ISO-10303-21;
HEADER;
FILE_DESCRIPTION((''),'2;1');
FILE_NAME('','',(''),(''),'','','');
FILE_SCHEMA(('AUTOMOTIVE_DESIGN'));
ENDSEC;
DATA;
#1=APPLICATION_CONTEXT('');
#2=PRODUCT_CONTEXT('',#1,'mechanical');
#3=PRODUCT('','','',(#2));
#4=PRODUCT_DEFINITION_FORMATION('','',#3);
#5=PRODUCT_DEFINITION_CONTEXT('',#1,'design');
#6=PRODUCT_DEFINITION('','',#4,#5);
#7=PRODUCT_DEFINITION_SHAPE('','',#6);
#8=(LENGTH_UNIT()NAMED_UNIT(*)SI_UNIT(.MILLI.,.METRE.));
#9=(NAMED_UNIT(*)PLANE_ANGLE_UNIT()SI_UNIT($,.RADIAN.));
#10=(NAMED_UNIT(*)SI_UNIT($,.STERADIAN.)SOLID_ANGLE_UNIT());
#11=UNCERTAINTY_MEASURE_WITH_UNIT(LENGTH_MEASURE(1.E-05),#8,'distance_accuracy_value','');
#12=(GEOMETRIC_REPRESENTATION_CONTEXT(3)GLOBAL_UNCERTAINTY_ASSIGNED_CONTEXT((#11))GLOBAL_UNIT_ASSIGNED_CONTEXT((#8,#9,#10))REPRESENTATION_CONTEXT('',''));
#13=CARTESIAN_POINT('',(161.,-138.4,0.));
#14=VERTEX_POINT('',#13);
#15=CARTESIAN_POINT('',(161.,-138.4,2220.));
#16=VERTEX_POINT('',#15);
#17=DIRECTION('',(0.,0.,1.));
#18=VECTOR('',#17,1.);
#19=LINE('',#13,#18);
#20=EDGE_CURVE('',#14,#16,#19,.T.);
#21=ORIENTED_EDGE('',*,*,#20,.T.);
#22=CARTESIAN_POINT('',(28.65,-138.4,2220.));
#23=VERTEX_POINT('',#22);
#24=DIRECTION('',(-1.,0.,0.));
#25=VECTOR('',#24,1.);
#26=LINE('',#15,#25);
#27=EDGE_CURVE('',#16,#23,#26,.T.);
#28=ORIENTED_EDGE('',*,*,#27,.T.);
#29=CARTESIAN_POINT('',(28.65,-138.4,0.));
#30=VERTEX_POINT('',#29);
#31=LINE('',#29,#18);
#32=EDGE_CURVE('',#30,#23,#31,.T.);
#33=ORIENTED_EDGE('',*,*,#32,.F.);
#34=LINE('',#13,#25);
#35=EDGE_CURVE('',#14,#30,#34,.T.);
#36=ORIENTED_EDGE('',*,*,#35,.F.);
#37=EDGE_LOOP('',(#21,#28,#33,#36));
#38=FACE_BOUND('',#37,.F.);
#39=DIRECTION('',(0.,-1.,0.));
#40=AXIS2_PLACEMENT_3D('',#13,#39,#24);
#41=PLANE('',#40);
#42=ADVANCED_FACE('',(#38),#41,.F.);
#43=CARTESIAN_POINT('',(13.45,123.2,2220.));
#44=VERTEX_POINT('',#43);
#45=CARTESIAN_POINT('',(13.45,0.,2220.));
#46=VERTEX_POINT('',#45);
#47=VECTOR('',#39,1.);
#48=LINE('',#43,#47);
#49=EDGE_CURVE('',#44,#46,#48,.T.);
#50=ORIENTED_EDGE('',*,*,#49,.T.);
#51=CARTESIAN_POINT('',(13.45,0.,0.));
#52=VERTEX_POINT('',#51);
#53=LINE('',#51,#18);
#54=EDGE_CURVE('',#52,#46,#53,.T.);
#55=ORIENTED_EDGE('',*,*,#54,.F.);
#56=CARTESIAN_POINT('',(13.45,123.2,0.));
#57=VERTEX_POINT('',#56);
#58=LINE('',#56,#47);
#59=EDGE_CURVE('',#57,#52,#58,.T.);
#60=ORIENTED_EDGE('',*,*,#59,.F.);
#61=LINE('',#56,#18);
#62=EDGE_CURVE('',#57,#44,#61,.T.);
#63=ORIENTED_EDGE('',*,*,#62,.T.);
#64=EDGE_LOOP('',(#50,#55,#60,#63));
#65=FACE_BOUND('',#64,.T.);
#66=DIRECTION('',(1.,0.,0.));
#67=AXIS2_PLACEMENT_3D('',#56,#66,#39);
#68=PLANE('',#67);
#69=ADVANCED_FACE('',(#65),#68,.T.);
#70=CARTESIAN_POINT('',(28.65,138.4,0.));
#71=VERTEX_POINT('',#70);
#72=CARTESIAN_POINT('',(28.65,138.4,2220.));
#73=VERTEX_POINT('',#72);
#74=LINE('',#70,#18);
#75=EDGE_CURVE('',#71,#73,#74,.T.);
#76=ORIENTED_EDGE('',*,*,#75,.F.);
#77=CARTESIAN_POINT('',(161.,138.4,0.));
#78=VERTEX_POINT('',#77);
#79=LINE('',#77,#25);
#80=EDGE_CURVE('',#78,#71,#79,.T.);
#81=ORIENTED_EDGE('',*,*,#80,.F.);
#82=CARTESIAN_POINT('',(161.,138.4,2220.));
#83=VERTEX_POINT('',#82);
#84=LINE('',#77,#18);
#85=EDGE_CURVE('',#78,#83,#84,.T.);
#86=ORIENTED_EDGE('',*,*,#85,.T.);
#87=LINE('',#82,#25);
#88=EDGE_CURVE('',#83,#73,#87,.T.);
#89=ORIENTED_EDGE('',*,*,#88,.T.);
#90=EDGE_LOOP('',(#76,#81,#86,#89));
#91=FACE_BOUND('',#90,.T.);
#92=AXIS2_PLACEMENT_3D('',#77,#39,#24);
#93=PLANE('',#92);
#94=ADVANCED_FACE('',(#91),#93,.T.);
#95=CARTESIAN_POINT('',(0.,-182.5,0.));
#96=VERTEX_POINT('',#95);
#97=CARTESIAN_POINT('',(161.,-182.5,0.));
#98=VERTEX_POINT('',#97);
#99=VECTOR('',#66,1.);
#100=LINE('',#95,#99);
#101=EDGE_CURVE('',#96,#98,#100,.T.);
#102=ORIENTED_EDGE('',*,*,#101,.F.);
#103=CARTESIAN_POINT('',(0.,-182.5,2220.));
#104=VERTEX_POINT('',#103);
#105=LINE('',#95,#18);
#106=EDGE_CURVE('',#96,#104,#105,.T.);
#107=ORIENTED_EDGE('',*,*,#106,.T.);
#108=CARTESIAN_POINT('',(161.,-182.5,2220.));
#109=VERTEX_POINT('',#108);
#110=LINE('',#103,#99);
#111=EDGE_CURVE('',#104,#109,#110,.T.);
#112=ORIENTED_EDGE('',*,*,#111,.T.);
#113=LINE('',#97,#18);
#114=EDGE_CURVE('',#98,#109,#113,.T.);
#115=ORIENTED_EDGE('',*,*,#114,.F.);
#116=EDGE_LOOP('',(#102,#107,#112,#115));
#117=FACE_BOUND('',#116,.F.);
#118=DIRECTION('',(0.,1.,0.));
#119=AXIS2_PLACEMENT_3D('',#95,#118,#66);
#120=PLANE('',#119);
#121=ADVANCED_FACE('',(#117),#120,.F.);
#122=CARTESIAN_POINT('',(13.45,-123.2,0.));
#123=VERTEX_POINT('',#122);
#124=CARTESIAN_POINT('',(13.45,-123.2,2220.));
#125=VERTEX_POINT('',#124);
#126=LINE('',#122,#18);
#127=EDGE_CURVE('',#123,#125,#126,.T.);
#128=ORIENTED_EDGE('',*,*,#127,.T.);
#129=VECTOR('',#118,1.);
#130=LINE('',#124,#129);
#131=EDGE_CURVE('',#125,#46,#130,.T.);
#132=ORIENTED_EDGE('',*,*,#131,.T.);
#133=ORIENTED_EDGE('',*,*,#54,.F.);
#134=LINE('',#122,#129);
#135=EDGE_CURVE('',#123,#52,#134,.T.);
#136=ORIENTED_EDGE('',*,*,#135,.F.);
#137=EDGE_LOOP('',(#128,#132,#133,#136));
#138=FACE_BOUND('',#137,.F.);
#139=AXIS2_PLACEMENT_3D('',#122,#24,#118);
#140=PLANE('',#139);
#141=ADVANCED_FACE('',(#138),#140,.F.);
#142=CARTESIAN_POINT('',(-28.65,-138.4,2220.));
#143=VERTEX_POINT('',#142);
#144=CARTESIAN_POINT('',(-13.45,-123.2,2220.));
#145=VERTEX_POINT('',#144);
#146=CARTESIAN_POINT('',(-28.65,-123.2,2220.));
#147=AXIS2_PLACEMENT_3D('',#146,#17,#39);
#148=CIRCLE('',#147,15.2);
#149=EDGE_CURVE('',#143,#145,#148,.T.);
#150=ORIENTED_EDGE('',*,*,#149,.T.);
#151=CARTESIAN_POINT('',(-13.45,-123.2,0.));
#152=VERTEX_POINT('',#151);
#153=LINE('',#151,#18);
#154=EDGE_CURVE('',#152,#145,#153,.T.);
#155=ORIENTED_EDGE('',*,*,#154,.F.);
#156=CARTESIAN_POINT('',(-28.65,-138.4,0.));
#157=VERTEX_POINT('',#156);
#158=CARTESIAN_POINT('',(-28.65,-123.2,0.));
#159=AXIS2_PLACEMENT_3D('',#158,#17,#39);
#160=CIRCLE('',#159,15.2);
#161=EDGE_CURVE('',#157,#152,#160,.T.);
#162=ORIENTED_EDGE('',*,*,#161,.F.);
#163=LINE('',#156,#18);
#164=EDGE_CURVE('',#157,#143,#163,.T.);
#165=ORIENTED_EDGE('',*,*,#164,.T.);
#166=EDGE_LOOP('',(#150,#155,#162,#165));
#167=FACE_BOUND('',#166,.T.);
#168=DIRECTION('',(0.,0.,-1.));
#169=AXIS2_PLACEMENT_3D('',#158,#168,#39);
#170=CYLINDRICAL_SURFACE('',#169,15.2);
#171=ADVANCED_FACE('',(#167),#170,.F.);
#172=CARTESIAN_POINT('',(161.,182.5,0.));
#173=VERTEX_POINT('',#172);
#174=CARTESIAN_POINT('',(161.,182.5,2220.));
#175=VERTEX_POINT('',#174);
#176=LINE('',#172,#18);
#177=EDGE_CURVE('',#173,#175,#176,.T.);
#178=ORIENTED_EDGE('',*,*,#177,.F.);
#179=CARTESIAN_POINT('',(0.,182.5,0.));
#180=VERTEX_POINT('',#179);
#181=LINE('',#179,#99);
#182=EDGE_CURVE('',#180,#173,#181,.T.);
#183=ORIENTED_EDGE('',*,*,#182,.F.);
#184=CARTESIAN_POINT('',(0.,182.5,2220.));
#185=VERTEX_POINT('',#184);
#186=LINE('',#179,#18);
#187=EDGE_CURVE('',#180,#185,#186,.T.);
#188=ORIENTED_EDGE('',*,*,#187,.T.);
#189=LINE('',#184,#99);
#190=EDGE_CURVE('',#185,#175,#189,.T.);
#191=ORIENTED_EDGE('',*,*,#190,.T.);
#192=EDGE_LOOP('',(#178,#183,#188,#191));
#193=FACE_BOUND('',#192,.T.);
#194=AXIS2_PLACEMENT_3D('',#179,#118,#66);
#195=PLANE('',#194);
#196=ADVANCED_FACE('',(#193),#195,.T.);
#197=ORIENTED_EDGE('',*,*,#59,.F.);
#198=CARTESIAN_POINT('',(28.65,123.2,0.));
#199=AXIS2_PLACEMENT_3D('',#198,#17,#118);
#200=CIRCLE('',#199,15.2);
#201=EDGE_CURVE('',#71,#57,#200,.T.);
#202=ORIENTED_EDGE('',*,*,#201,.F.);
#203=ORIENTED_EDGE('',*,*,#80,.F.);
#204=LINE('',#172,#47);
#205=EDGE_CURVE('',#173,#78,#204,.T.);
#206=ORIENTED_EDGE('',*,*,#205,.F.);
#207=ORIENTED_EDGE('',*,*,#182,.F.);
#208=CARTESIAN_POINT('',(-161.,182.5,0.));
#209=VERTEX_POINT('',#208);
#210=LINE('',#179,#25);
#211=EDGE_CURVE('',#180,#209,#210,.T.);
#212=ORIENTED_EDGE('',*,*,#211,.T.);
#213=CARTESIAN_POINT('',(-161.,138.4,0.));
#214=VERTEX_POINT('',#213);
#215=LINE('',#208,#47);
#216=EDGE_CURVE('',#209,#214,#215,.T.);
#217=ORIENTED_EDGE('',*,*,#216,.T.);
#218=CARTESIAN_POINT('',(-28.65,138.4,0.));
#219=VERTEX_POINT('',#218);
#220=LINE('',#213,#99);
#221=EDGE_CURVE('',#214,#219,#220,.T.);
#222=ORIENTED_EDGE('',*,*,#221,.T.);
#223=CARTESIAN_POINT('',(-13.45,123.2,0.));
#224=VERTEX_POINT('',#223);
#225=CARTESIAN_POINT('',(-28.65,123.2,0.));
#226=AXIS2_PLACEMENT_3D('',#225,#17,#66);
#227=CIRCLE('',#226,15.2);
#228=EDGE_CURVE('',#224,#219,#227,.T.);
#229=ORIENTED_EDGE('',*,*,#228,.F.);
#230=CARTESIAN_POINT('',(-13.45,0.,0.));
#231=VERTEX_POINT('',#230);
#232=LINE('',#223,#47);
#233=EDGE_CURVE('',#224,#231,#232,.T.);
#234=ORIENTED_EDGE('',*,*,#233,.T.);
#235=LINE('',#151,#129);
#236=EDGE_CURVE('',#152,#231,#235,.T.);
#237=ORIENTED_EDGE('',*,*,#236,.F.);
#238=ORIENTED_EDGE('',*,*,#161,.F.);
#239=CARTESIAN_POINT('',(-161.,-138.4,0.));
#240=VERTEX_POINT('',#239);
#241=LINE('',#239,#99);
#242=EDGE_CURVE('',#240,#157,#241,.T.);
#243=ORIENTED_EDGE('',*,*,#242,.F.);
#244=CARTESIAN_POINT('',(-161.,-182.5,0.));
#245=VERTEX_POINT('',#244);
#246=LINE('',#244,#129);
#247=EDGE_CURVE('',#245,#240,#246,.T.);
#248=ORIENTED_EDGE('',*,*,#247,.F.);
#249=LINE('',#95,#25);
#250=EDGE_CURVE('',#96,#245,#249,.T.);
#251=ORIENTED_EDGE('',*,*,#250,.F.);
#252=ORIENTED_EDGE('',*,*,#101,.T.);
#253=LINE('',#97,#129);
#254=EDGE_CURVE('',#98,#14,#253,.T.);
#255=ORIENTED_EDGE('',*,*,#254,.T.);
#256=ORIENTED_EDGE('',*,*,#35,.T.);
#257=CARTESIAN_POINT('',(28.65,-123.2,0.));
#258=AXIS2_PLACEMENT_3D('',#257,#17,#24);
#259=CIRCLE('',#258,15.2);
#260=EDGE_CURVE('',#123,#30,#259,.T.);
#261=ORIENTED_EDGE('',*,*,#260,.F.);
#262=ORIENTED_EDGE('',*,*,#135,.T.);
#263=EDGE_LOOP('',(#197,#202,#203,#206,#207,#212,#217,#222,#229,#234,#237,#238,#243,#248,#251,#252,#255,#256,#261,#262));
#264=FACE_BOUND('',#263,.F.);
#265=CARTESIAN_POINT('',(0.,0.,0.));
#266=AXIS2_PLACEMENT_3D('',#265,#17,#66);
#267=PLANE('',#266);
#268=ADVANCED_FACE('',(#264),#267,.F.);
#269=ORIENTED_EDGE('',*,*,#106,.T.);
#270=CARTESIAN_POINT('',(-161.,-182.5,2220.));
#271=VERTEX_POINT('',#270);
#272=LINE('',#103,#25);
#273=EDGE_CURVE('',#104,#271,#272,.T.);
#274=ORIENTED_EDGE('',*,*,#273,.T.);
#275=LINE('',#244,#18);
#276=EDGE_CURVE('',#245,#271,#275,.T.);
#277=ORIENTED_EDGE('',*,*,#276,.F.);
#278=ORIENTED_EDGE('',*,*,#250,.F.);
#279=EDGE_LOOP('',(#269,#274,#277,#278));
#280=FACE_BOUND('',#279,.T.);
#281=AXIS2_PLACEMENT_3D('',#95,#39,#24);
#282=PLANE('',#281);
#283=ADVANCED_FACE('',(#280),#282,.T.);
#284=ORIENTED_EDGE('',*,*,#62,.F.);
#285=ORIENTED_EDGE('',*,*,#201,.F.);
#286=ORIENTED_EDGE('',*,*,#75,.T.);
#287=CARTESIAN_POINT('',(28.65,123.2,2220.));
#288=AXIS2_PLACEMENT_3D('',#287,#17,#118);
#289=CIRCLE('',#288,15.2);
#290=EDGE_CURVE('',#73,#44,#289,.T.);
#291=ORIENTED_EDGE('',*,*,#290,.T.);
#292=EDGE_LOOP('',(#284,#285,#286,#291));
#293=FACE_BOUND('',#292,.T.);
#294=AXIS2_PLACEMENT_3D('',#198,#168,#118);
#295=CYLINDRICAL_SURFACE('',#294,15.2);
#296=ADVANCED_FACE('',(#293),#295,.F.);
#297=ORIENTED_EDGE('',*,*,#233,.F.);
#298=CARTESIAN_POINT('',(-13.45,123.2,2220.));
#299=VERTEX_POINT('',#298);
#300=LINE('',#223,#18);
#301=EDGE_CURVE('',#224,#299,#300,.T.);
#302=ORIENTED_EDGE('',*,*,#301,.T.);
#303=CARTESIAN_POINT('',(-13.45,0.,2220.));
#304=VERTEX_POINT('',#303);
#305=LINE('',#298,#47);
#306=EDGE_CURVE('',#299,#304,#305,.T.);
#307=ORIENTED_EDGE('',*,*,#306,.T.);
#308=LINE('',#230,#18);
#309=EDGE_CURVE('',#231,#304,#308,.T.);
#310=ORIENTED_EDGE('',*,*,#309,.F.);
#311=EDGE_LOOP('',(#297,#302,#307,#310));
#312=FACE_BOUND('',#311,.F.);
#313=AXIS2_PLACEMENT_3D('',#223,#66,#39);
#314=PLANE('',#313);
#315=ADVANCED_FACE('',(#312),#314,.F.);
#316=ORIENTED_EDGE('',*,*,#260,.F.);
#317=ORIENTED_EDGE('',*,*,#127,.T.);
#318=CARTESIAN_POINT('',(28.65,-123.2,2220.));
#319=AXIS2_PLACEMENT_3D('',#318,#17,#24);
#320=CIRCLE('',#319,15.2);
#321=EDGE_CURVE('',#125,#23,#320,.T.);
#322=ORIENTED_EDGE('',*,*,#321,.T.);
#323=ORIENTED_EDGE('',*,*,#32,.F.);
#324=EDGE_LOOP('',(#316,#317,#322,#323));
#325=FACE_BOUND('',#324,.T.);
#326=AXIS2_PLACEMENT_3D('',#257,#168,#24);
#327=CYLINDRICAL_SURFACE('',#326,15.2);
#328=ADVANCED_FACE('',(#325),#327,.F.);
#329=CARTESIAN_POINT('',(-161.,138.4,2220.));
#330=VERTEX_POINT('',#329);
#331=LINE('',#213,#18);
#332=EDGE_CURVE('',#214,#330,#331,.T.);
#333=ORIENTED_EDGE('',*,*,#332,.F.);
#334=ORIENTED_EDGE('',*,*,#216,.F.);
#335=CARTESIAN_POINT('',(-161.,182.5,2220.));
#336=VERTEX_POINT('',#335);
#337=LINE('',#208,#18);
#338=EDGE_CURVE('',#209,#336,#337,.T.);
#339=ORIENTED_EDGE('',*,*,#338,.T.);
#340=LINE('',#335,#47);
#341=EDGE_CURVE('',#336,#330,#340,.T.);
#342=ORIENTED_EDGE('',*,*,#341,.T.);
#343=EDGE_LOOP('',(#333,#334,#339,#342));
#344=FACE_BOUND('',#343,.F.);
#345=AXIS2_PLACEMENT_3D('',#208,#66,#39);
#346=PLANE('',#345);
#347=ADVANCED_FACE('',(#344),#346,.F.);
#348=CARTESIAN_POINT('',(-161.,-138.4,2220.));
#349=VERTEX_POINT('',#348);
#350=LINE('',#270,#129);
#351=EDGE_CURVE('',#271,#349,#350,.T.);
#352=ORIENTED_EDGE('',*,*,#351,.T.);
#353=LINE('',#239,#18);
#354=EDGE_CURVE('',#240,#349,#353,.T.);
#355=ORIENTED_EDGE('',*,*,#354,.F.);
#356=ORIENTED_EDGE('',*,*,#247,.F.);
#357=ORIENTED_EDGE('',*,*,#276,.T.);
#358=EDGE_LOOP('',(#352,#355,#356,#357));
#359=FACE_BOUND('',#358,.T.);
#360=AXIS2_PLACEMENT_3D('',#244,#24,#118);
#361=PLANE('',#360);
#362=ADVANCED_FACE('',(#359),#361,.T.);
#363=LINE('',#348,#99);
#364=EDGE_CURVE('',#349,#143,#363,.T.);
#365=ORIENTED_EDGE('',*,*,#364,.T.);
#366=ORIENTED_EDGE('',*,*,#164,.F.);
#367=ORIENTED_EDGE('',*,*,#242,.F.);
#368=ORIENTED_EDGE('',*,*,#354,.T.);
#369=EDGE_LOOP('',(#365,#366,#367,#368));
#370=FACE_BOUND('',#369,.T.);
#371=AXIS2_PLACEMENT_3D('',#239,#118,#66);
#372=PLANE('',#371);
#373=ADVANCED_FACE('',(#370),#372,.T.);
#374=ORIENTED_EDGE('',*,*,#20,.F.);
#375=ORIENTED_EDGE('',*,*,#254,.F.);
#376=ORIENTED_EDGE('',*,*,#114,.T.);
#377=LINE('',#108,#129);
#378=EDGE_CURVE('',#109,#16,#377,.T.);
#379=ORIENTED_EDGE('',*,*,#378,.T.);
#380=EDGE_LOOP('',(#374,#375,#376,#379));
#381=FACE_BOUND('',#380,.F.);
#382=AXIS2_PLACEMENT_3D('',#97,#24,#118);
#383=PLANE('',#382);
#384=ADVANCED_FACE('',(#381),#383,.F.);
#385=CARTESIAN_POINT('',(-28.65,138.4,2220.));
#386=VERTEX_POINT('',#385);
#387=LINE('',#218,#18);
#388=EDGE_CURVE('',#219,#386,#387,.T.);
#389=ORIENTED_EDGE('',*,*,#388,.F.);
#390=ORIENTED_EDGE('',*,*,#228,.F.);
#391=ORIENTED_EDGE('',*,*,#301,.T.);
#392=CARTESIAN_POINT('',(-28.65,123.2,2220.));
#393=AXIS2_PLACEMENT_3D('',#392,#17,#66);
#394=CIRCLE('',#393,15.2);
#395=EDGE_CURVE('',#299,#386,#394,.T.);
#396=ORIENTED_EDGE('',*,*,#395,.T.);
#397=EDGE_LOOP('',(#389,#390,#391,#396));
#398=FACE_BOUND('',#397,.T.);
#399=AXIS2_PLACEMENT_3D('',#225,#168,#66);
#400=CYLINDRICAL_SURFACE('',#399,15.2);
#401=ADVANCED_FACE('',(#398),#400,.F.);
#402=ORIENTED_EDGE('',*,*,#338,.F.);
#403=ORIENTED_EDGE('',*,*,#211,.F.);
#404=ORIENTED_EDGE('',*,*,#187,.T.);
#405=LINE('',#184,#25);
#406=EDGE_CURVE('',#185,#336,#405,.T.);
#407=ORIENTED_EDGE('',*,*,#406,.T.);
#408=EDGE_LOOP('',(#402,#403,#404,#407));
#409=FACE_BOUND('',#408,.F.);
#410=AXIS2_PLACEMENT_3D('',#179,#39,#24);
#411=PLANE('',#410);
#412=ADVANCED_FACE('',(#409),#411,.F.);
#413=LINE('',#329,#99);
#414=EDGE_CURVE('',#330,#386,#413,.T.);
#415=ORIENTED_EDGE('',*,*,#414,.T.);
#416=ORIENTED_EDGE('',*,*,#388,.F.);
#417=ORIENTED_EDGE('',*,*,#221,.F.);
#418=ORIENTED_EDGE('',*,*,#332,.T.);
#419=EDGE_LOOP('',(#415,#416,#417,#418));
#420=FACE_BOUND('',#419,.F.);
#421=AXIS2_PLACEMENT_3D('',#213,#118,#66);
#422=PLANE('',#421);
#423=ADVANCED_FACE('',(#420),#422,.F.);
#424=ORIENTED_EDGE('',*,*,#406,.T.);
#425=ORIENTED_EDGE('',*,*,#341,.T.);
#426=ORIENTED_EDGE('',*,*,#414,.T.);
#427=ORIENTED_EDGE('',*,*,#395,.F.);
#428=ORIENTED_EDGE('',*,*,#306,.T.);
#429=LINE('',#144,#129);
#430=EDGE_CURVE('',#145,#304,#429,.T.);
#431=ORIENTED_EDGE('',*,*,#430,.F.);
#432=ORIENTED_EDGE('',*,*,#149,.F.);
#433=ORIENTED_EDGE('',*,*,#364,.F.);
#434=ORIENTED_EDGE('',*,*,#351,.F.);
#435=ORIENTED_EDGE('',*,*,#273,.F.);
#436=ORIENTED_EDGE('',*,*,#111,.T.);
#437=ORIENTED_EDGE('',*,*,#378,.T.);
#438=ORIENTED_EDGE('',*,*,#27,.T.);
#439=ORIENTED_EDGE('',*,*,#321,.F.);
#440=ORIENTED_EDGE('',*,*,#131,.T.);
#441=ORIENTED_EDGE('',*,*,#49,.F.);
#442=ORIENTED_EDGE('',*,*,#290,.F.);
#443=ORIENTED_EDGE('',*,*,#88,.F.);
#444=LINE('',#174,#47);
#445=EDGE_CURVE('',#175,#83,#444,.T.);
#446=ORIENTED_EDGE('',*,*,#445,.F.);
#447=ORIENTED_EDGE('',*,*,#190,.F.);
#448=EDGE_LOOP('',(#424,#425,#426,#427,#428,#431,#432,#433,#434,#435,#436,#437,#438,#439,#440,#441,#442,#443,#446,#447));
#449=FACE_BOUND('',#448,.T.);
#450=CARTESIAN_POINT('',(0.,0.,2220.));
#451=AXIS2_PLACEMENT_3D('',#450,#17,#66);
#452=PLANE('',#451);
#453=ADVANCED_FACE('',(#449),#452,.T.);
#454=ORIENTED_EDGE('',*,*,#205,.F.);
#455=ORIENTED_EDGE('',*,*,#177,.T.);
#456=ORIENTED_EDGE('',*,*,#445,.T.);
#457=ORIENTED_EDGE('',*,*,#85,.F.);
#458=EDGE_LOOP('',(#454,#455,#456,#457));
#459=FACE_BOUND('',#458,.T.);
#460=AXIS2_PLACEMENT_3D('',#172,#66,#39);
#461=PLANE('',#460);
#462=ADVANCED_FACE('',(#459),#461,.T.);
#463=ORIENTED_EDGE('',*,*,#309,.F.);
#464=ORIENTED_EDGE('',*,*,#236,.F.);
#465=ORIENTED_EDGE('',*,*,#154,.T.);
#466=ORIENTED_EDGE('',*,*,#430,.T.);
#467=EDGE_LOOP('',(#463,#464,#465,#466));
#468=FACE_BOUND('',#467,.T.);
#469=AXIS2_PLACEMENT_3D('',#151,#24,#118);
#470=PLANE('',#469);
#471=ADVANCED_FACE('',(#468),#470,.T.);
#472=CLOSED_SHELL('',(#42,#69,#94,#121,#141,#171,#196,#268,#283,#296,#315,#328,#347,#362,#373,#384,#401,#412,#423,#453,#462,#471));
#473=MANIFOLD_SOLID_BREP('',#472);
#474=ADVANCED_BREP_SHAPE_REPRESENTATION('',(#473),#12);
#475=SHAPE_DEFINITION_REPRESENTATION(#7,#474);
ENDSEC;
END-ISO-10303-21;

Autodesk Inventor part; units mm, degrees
ref_plane "YZ Plane" through (0, 0, 0) normal (1, 0, 0) x (0, 1, 0)
ref_plane "Start plane" through (0, 0, 0) normal (0, 0, 1) x (1, 0, 0)
ref_plane "End plane" through (0, 0, 2220) normal (0, 0, 1) x (1, 0, 0)
sketch "Sketch" plane through (0, 0, 0) normal (0, 0, 1) x (1, 0, 0)
  line L0 (-161, -182.5) -> (-161, -138.4)
  line L1 (-161, -138.4) -> (-28.65, -138.4)
  line L2 (-13.45, -123.2) -> (-13.45, 0)
  line L3 (-13.45, 0) -> (0, 0) construction
  line L4 (0, 0) -> (0, -182.5) construction
  line L5 (0, -182.5) -> (-161, -182.5)
  line L6 (-60, 0) -> (80, 0) construction
  line L7 (0, -60) -> (0, 80) construction
  line L8 (161, -182.5) -> (161, -138.4)
  line L9 (161, -138.4) -> (28.65, -138.4)
  line L10 (13.45, -123.2) -> (13.45, 0)
  line L11 (13.45, 0) -> (0, 0) construction
  line L12 (0, -182.5) -> (161, -182.5)
  line L13 (-161, 182.5) -> (-161, 138.4)
  line L14 (-161, 138.4) -> (-28.65, 138.4)
  line L15 (-13.45, 123.2) -> (-13.45, 0)
  line L16 (0, 182.5) -> (-161, 182.5)
  line L17 (161, 182.5) -> (161, 138.4)
  line L18 (161, 138.4) -> (28.65, 138.4)
  line L19 (0, 182.5) -> (161, 182.5)
  line L20 (13.45, 123.2) -> (13.45, 0)
  arc A0 (-13.45, 123.2) -> (-28.65, 138.4) centre (-28.65, 123.2) ccw
  arc A1 (28.65, 138.4) -> (13.45, 123.2) centre (28.65, 123.2) ccw
  arc A2 (13.45, -123.2) -> (28.65, -138.4) centre (28.65, -123.2) ccw
  arc A3 (-28.65, -138.4) -> (-13.45, -123.2) centre (-28.65, -123.2) ccw
  line L21 (0, 108) -> (0, -88) construction
  line L22 (-88, 0) -> (108, 0) construction
  point P0 (-13.45, -138.4)
  point P1 (13.45, -138.4)
  point P2 (-13.45, 138.4)
  point P3 (13.45, 138.4)
  dimension "d1" = 182.5
  dimension "d2" = 44.1
  dimension "d3" = 161
  dimension "d4" = 13.45
  dimension "d10" = 15.2
extrude "Body" add sketch "Sketch" along normal up to surface (2220 mm away) from surface at 0
sketch "Sketch4" plane through (0, 0, 0) normal (0, 0, 1) x (1, 0, 0)
  line L0 (0, 0) -> (10, 0)
ref_plane "Work Plane3" through (0, 0, 0) normal (0, -1, 0) x (1, 0, 0)
sketch "Sketch5" plane through (0, 0, 0) normal (0, -1, 0) x (1, 0, 0)
  line L0 (-2, 0) -> (12, 0) projected
  line L1 (-2, 2220) -> (12, 2220) projected
  dimension "d14" = 2220
equation "\"d1\" = 0.5 * G_H"
equation "\"d2\" = G_T1"
equation "\"d3\" = 0.5 * G_W"
equation "\"d4\" = 0.5 * G_T"
equation "\"d10\" = G_IR"
equation "\"d5\" = G_L"
equation "\"G_W\" = 322"
equation "\"G_H\" = 365"
equation "\"G_T\" = 26.9"
equation "\"G_T1\" = 44.1"
equation "\"G_IR\" = 15.2"
equation "\"G_L\" = d14"
equation "\"G_OFFSET_START\" = 0"
equation "\"G_OFFSET_END\" = 0"
properties part number "AS 3679 - 310 UC - 283 - 2220" material "Steel, Mild"
